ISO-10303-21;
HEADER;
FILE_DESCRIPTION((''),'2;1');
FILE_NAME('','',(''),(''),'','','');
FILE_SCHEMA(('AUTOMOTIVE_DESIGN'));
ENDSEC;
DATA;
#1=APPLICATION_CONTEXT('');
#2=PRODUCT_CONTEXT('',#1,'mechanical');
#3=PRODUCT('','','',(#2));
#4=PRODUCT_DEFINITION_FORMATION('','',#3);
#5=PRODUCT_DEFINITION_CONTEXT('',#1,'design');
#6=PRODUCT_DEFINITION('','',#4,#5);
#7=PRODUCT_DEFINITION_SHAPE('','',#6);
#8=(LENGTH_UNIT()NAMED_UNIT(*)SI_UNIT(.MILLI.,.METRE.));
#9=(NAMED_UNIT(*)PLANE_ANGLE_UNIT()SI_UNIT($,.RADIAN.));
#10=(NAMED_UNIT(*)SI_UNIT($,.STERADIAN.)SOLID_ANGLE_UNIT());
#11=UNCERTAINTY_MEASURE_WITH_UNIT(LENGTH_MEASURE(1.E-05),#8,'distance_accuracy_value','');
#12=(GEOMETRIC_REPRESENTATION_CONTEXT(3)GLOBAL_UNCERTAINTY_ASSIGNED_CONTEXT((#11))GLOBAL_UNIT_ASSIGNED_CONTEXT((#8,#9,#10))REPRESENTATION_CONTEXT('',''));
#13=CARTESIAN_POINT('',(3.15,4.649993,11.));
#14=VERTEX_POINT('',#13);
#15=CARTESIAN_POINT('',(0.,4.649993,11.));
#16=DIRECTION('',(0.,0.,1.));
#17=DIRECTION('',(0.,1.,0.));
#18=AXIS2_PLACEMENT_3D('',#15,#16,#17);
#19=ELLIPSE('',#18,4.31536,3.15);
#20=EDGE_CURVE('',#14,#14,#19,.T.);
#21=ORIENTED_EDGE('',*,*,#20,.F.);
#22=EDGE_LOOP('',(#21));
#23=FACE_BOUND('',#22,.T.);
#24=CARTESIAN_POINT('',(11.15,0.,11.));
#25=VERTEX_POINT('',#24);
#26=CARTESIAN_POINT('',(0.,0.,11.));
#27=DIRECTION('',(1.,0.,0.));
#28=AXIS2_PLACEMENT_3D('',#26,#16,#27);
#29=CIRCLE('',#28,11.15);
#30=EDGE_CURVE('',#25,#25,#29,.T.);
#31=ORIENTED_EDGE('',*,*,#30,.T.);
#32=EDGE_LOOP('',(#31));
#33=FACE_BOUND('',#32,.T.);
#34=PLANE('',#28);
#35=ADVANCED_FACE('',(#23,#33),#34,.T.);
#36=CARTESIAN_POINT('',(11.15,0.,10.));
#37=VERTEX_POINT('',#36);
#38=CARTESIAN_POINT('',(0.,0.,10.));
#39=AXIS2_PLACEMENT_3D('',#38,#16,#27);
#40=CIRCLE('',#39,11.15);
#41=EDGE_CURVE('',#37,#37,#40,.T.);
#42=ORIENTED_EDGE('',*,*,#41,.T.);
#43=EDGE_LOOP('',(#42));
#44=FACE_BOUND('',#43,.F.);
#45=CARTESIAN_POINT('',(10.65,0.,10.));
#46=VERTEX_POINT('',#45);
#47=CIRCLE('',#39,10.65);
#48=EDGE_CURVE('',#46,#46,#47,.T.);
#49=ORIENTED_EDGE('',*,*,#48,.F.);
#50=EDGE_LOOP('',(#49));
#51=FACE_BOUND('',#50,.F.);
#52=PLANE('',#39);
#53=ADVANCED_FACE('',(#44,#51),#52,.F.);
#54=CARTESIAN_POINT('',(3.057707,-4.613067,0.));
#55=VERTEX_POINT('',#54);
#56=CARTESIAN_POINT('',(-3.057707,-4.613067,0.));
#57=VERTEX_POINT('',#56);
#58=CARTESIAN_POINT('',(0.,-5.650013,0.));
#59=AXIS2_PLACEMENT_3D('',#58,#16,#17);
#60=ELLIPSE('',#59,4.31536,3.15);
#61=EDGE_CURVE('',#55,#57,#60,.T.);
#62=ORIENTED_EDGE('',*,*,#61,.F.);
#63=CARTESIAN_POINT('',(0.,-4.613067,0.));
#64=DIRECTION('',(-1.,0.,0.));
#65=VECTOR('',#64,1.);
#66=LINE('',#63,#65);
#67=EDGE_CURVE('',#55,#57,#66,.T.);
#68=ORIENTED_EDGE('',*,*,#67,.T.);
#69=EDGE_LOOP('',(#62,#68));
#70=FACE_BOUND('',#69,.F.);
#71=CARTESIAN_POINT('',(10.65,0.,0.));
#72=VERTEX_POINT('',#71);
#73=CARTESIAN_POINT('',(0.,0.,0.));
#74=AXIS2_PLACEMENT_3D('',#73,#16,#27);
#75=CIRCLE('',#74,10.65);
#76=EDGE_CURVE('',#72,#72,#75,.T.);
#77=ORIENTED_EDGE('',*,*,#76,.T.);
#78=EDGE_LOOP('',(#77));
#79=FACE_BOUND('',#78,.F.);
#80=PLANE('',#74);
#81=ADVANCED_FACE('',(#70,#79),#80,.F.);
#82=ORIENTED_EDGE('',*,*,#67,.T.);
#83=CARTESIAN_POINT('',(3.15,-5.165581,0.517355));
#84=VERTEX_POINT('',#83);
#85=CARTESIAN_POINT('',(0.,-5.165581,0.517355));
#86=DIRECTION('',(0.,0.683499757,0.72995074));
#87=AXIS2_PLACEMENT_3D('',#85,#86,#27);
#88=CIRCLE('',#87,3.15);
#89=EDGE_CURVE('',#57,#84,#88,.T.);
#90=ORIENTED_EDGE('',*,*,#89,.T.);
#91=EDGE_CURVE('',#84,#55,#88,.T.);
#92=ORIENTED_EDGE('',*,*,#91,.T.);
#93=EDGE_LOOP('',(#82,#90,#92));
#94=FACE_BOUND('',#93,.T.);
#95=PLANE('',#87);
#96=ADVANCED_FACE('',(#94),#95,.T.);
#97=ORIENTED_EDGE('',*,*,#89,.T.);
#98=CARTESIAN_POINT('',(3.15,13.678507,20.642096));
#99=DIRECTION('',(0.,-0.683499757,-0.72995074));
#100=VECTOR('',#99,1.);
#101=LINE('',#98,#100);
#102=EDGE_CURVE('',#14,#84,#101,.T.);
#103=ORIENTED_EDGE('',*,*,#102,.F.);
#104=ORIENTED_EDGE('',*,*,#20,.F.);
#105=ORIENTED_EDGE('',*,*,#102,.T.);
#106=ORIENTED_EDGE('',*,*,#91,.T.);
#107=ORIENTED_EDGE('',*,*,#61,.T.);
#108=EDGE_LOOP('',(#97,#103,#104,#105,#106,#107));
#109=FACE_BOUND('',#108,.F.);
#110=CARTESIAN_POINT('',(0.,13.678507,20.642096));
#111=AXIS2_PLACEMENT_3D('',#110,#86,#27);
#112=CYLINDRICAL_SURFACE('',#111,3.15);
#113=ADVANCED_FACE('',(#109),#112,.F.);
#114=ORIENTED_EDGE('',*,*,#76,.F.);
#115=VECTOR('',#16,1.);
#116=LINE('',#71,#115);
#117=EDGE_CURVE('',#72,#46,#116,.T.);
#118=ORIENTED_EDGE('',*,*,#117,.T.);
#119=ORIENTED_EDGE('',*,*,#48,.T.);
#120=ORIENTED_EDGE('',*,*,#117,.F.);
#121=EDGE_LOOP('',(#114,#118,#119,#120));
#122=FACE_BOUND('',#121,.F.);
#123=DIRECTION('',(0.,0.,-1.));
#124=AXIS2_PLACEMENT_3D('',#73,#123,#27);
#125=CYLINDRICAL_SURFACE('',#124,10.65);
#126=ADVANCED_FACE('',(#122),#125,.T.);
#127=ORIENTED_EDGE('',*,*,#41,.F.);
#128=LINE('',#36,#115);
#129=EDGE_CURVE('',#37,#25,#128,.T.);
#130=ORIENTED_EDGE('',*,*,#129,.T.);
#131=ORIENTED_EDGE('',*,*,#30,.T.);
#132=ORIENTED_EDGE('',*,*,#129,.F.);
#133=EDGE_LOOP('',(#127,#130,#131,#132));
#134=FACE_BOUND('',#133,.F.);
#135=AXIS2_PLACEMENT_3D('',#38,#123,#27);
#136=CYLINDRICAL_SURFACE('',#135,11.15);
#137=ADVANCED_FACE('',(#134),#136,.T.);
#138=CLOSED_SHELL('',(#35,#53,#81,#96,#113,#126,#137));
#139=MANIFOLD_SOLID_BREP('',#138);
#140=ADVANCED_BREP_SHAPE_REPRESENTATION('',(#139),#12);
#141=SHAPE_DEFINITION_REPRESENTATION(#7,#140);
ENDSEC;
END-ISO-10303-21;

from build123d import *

# Parameters (mm, degrees)
F0_R     = 10.65
F1_DEPTH = 10
F2_R     = 11.15
F2_R_2   = 10.65
F3_DEPTH = 1
F7_R     = 3.15
F8_DEPTH = 27.57


with BuildPart() as f1:
    # F0 (on Top) → F1 (new body)
    with BuildSketch(Plane.XY):
        Circle(F0_R)
    extrude(amount=F1_DEPTH)

    # F2 (on face) → F3 (join)
    with BuildSketch(Plane.XY.offset(10)):
        Circle(F2_R)
        Circle(F2_R_2, mode=Mode.SUBTRACT)
        Circle(F2_R_2)
    extrude(amount=F3_DEPTH)

    # F7 (on face) → F8 (cut)
    with BuildSketch(Plane(origin=(0, 16.688987, 17.823191), x_dir=(1, 0, 0), z_dir=(0, 0.6835, 0.729951))):
        with Locations((0, -4.124223)):
            Circle(F7_R)
    extrude(amount=-F8_DEPTH, mode=Mode.SUBTRACT)


solid = f1.part
